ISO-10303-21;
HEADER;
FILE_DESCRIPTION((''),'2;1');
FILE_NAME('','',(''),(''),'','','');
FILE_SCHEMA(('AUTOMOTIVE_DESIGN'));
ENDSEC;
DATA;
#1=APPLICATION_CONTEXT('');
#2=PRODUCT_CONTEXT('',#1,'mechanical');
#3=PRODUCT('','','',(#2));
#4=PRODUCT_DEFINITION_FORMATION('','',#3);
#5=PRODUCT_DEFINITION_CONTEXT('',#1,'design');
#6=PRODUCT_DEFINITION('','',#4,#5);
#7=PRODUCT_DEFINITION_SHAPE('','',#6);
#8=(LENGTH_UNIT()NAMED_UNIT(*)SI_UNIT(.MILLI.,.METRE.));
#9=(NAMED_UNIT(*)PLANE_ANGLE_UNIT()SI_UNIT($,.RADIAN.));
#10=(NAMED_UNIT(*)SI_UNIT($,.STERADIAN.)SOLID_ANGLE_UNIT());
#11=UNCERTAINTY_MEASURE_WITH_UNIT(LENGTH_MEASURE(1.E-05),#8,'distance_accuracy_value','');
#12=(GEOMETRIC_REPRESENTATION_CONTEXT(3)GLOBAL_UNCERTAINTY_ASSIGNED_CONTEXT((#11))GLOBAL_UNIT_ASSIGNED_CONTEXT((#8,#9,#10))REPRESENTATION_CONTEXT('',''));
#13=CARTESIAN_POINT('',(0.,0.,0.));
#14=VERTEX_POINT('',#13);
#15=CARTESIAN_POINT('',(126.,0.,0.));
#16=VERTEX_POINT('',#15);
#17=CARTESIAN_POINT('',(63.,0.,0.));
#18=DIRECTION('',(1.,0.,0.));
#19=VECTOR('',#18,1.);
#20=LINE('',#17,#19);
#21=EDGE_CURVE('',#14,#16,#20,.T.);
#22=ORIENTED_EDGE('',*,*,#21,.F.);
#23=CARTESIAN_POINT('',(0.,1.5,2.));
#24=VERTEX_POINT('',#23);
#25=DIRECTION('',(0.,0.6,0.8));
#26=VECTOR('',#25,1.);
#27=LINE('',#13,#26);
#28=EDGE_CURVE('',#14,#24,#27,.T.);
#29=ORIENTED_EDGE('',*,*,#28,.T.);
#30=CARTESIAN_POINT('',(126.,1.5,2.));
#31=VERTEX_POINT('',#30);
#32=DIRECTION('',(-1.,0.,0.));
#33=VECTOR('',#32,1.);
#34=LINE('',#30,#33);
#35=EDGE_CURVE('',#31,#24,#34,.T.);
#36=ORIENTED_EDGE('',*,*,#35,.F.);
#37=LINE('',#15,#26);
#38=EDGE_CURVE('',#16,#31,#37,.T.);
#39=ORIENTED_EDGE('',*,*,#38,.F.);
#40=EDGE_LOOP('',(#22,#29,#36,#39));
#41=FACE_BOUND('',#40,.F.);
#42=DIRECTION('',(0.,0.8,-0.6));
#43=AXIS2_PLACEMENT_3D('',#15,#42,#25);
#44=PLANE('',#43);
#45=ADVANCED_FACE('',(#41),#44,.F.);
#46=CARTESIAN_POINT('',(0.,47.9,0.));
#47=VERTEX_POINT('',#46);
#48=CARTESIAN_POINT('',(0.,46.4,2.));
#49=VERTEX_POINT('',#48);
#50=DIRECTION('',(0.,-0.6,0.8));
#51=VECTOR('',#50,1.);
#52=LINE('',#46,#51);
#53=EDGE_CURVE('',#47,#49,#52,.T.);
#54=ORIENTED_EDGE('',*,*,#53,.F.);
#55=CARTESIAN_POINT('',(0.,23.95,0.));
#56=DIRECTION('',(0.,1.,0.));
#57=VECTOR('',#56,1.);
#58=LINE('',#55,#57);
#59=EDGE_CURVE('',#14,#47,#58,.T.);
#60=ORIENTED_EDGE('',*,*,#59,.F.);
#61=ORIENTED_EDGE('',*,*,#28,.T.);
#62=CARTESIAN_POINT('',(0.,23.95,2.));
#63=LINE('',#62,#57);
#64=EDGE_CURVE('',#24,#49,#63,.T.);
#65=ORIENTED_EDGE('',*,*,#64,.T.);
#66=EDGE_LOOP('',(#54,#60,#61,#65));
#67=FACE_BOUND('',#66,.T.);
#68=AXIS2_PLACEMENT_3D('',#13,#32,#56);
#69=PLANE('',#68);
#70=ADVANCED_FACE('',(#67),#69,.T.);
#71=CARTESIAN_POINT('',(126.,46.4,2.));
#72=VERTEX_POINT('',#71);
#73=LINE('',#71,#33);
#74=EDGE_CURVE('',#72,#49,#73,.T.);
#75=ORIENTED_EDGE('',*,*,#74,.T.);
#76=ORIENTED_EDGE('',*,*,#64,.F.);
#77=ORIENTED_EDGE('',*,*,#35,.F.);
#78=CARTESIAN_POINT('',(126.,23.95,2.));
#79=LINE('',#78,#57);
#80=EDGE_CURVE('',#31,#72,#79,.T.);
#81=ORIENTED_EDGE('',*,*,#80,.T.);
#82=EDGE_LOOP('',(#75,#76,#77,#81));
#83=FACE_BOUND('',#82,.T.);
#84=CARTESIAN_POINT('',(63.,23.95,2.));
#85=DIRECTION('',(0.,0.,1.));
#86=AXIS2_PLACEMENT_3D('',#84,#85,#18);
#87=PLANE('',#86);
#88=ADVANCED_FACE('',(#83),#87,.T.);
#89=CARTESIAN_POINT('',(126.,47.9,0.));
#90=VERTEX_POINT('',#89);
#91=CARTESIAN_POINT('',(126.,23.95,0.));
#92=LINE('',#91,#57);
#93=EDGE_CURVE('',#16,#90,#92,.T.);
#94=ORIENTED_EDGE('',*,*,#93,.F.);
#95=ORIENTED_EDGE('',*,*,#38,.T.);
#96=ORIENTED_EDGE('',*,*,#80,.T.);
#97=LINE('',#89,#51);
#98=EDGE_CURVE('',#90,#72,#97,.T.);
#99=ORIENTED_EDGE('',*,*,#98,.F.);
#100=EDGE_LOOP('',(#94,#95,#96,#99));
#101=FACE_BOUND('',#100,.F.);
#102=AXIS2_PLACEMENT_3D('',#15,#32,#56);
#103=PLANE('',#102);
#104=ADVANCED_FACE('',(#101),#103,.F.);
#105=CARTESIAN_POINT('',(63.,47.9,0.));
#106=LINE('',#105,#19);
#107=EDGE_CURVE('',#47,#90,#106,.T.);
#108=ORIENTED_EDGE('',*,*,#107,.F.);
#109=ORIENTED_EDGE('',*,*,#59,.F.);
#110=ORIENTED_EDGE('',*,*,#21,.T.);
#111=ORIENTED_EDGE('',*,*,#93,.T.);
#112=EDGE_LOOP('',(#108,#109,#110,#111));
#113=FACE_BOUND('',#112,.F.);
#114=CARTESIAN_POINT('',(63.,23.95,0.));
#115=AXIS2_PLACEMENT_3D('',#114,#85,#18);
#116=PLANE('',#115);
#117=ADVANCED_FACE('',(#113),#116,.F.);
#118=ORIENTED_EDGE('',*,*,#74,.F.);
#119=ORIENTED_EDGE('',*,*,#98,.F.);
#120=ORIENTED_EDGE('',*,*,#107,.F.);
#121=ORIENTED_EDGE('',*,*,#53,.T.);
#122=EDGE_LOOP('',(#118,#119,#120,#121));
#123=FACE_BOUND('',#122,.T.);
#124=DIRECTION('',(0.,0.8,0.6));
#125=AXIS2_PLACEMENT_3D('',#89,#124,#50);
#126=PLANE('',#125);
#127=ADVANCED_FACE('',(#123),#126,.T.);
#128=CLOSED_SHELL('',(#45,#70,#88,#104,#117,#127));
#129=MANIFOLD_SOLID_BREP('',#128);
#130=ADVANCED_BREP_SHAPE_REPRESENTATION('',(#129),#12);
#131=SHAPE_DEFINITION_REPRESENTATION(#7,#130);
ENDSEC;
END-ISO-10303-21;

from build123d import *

# Parameters (mm, degrees)
BOX_W        = 126
BOX_H        = 47.9
BOX_DEPTH    = 2
POCKET_DEPTH = 126


with BuildPart() as part:
    # Box → Box (new body)
    with BuildSketch(Plane.XY):
        with Locations((63, 23.95)):
            Rectangle(BOX_W, BOX_H)
    extrude(amount=BOX_DEPTH)

    # Sketch → Pocket (cut)
    with BuildSketch(Plane.YZ.offset(126)):
        Polygon((0, 0), (1.5, 2), (0, 2), align=None)
        Polygon((46.4, 2), (47.9, 2), (47.9, 0), align=None)
    extrude(amount=-POCKET_DEPTH, mode=Mode.SUBTRACT)


solid = part.part
